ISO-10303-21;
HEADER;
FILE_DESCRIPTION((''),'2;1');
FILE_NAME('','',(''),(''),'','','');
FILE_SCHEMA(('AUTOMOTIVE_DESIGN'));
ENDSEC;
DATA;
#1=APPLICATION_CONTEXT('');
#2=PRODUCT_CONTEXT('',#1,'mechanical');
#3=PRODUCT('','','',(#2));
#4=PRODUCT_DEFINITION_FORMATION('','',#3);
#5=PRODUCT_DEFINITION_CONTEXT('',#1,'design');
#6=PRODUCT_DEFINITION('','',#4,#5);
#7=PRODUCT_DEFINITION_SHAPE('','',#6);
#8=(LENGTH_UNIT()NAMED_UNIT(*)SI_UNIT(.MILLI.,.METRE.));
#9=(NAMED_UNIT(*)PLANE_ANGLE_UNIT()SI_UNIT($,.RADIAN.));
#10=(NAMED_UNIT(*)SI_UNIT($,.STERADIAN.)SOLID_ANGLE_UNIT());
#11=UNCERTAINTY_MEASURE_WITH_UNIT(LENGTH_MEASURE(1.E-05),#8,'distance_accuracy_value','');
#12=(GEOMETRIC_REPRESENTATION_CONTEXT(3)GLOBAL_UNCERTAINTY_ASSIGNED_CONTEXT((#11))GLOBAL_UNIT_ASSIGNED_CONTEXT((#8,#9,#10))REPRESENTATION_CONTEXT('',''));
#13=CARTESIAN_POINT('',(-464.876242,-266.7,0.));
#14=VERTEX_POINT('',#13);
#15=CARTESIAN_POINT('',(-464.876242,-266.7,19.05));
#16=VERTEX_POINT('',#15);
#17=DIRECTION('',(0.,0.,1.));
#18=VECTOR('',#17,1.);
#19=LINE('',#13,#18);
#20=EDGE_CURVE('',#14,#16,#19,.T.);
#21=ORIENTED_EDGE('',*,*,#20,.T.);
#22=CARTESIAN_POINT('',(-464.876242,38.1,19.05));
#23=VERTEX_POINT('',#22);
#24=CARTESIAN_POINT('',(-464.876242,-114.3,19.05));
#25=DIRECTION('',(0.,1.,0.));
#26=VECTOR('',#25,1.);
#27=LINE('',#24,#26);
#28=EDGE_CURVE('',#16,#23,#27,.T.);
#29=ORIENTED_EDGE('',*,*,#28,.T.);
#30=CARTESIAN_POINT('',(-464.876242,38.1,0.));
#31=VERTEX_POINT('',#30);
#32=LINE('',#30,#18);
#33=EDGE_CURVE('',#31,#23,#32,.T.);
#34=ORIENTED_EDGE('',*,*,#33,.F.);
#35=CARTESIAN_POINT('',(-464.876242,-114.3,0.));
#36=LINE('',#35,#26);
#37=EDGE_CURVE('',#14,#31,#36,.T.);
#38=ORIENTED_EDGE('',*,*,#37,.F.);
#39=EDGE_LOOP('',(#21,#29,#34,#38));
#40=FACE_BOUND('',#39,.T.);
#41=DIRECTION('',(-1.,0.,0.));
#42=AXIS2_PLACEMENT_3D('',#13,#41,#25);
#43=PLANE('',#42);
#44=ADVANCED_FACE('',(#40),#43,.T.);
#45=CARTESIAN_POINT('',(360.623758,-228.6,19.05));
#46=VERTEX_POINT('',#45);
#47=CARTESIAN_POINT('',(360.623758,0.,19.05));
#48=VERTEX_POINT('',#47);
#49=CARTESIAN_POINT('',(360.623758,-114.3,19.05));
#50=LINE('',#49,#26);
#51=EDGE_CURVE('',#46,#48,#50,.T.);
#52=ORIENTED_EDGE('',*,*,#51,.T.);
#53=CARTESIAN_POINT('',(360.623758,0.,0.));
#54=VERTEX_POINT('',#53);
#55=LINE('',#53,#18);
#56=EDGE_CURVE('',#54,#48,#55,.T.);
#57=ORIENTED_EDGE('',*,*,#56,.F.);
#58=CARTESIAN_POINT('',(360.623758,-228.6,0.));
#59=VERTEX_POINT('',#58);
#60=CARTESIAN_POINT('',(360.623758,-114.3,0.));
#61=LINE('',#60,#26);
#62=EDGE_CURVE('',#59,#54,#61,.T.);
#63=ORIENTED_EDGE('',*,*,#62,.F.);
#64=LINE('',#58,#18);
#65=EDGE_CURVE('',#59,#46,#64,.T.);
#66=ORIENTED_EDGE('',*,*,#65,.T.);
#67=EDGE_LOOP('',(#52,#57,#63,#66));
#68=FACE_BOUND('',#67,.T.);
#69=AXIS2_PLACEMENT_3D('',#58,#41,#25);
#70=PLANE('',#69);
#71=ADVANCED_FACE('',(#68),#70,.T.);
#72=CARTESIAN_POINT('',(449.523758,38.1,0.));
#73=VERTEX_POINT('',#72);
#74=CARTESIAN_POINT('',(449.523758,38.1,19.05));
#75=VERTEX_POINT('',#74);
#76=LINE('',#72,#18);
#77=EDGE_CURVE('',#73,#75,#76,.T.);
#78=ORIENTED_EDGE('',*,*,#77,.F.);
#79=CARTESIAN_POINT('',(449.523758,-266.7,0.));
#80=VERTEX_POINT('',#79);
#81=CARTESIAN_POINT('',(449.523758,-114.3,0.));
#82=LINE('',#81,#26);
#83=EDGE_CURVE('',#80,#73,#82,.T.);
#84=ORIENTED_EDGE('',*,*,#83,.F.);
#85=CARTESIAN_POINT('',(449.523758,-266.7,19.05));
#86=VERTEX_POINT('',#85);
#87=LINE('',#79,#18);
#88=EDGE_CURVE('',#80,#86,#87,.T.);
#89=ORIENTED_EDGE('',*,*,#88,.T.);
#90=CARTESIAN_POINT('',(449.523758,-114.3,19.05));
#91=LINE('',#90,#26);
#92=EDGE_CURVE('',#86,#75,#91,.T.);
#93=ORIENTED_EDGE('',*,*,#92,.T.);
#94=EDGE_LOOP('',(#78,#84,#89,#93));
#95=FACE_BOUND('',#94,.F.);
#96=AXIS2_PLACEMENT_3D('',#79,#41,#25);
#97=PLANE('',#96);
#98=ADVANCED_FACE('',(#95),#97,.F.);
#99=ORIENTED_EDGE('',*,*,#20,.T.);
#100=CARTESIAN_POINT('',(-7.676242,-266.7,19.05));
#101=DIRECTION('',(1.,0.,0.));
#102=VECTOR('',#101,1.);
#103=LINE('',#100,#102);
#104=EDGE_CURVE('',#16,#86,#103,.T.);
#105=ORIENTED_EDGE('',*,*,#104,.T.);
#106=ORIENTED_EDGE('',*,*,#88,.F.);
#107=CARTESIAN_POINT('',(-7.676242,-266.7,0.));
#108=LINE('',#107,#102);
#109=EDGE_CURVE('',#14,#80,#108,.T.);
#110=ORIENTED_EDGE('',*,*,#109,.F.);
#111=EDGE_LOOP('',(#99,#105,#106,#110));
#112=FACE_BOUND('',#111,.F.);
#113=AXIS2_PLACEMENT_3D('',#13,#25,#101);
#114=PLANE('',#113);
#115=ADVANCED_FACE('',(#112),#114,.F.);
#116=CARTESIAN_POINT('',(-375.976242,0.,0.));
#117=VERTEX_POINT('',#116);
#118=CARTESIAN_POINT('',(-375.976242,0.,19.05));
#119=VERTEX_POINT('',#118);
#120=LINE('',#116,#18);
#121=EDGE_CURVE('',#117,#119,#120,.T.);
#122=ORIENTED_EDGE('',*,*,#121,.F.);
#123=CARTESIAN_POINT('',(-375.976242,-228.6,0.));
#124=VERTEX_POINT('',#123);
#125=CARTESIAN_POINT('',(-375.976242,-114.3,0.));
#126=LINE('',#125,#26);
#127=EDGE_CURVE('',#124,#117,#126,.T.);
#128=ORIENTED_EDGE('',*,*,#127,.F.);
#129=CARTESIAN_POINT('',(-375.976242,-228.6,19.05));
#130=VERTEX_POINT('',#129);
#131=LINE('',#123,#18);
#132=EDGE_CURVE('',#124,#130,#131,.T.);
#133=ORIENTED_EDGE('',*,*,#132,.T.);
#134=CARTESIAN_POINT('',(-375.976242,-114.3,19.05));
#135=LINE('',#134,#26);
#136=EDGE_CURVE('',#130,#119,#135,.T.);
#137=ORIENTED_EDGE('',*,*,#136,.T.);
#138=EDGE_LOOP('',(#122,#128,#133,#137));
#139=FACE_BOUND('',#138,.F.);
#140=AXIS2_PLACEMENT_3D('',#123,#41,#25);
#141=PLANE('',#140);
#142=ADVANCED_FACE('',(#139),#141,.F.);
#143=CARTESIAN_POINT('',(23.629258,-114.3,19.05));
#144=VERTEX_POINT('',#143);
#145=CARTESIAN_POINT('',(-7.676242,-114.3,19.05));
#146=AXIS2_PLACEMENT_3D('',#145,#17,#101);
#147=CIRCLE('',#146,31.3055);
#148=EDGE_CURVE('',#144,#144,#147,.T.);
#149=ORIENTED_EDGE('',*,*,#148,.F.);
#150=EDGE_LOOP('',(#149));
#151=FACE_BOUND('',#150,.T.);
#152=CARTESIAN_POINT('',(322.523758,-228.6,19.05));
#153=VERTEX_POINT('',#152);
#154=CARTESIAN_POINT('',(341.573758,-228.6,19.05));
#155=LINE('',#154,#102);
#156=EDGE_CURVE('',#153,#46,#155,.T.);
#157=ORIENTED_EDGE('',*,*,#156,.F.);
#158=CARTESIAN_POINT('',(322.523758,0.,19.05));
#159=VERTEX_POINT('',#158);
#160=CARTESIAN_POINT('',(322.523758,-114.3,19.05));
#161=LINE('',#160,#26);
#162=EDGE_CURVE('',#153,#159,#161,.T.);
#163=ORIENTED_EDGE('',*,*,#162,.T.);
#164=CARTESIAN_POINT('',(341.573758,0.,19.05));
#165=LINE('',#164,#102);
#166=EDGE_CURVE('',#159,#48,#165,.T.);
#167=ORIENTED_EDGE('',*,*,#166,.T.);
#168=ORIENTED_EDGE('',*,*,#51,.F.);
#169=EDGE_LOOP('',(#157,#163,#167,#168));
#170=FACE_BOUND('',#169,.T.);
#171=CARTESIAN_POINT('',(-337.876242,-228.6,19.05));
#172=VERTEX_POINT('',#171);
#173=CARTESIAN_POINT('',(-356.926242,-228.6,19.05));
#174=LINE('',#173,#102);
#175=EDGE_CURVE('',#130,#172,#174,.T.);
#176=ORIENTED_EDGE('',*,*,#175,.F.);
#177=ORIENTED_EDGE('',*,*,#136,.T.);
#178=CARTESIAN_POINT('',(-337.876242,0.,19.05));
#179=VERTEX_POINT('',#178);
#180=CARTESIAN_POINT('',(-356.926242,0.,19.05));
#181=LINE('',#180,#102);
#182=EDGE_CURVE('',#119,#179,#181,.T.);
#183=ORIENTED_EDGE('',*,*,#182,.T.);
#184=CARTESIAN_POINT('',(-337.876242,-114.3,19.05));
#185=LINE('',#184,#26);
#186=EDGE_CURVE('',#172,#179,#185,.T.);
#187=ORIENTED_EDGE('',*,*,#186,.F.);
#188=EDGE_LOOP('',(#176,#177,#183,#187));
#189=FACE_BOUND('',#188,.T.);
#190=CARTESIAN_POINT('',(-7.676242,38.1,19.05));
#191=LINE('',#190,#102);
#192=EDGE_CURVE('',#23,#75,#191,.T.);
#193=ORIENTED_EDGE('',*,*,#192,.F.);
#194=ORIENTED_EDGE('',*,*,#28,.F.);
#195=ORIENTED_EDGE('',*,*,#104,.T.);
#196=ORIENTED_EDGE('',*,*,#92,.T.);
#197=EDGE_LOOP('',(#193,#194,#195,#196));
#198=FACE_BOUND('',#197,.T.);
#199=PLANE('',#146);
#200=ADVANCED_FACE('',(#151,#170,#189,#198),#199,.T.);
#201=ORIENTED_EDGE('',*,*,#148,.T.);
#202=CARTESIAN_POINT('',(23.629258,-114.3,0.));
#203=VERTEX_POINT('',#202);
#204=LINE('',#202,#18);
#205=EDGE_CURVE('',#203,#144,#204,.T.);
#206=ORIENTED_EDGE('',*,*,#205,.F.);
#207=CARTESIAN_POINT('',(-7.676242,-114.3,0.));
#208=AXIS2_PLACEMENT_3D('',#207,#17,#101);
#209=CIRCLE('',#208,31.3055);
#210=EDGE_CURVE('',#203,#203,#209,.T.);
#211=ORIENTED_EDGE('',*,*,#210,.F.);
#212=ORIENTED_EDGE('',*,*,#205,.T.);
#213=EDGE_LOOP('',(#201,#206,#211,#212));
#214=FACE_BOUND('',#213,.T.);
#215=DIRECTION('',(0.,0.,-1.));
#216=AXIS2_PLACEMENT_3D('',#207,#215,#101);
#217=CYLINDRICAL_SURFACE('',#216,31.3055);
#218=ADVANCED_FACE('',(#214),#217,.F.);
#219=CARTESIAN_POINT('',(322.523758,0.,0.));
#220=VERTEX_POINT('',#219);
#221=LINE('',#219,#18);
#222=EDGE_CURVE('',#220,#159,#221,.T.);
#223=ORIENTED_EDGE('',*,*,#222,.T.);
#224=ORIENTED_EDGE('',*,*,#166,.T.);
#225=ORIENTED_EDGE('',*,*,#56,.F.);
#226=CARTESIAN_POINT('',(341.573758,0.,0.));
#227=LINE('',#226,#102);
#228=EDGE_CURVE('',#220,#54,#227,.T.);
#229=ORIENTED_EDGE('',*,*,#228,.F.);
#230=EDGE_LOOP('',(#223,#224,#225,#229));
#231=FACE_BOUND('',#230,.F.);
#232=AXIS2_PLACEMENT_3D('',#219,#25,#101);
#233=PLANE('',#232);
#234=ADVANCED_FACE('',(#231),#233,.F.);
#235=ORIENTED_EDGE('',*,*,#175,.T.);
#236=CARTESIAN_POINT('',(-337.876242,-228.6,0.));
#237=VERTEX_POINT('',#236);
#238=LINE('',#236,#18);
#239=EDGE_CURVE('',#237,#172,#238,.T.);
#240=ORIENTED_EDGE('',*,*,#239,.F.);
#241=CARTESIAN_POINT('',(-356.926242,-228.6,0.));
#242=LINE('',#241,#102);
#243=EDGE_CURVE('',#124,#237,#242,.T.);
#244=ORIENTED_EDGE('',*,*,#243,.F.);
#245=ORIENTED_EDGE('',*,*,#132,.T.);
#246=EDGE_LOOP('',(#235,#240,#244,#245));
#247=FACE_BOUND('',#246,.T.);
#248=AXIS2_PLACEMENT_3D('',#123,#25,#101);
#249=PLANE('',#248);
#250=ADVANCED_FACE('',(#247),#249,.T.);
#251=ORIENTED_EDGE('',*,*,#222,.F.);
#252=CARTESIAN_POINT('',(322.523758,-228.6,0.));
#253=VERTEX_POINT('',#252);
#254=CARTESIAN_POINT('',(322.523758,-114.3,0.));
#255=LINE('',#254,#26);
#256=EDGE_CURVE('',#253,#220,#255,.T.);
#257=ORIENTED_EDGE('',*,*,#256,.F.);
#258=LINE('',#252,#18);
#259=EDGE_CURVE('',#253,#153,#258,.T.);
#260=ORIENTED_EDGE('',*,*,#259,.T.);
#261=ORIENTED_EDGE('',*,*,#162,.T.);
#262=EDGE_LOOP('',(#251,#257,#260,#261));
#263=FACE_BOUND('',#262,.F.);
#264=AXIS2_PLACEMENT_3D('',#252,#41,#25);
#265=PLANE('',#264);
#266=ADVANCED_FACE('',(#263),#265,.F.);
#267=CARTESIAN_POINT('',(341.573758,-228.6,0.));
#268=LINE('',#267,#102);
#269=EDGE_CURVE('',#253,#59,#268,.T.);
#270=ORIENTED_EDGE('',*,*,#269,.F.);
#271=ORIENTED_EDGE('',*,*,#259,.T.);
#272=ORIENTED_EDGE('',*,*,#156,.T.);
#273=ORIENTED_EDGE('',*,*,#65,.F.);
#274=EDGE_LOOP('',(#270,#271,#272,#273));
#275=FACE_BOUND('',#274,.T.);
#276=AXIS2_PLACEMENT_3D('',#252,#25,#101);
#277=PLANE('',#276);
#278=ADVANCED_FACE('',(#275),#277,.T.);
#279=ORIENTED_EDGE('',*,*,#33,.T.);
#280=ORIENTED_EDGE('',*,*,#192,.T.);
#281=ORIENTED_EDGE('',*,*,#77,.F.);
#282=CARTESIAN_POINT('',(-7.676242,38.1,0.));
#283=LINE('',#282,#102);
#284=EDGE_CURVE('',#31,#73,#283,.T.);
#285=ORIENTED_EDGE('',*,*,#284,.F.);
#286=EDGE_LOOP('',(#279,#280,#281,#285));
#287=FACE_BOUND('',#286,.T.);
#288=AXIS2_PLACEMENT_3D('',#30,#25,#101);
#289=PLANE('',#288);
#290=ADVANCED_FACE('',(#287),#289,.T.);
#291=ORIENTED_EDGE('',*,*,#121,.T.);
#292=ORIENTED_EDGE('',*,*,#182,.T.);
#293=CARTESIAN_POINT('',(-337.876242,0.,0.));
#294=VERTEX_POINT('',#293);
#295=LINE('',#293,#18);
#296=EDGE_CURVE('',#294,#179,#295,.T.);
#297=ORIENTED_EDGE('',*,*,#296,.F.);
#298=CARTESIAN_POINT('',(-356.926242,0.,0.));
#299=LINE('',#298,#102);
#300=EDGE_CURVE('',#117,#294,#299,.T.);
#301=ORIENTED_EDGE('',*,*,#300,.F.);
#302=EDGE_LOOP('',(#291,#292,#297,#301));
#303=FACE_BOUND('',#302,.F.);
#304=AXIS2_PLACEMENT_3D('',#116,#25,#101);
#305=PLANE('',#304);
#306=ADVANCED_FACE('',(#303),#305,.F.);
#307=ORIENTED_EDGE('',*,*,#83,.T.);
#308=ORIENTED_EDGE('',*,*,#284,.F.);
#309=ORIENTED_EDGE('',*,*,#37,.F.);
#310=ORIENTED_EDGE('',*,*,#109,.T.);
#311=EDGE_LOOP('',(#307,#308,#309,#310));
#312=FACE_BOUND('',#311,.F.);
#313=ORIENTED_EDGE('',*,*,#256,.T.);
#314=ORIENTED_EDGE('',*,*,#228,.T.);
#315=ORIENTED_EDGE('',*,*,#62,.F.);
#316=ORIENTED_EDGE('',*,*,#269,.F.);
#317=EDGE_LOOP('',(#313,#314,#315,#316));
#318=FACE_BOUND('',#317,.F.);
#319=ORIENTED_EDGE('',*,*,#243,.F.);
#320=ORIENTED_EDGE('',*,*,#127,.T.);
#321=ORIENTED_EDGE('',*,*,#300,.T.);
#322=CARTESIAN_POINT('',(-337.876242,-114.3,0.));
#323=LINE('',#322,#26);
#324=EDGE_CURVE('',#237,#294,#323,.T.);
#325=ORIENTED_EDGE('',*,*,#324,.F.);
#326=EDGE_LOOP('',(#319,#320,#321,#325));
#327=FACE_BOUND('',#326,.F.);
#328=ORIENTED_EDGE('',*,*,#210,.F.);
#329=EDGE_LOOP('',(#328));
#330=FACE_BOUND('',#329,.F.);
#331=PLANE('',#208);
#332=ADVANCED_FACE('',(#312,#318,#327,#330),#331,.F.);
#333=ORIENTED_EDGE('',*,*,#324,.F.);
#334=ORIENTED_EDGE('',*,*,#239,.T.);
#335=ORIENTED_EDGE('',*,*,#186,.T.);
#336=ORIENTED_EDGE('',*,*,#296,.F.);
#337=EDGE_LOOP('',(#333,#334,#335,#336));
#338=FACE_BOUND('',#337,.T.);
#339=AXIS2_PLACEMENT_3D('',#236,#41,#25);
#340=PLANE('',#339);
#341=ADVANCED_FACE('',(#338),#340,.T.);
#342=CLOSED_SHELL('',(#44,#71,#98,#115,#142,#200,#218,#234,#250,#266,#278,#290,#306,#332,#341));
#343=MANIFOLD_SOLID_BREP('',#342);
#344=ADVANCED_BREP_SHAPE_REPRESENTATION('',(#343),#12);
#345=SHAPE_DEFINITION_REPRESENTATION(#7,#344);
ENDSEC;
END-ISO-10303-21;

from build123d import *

# Parameters (mm, degrees)
F0_W     = 914.4
F0_H     = 304.8
F0_W_2   = 38.1
F0_H_2   = 228.6
F0_R     = 31.3055
F1_DEPTH = 19.05


with BuildPart() as f1:
    # F0 (on Top) → F1 (new body)
    with BuildSketch(Plane.XY):
        with Locations((-7.676242, -114.3)):
            Rectangle(F0_W, F0_H)
        with Locations((-356.926242, -114.3)):
            Rectangle(F0_W_2, F0_H_2, mode=Mode.SUBTRACT)
        with Locations((-7.676242, -114.3)):
            Circle(F0_R, mode=Mode.SUBTRACT)
        with Locations((341.573758, -114.3)):
            Rectangle(F0_W_2, F0_H_2, mode=Mode.SUBTRACT)
    extrude(amount=F1_DEPTH)


solid = f1.part
